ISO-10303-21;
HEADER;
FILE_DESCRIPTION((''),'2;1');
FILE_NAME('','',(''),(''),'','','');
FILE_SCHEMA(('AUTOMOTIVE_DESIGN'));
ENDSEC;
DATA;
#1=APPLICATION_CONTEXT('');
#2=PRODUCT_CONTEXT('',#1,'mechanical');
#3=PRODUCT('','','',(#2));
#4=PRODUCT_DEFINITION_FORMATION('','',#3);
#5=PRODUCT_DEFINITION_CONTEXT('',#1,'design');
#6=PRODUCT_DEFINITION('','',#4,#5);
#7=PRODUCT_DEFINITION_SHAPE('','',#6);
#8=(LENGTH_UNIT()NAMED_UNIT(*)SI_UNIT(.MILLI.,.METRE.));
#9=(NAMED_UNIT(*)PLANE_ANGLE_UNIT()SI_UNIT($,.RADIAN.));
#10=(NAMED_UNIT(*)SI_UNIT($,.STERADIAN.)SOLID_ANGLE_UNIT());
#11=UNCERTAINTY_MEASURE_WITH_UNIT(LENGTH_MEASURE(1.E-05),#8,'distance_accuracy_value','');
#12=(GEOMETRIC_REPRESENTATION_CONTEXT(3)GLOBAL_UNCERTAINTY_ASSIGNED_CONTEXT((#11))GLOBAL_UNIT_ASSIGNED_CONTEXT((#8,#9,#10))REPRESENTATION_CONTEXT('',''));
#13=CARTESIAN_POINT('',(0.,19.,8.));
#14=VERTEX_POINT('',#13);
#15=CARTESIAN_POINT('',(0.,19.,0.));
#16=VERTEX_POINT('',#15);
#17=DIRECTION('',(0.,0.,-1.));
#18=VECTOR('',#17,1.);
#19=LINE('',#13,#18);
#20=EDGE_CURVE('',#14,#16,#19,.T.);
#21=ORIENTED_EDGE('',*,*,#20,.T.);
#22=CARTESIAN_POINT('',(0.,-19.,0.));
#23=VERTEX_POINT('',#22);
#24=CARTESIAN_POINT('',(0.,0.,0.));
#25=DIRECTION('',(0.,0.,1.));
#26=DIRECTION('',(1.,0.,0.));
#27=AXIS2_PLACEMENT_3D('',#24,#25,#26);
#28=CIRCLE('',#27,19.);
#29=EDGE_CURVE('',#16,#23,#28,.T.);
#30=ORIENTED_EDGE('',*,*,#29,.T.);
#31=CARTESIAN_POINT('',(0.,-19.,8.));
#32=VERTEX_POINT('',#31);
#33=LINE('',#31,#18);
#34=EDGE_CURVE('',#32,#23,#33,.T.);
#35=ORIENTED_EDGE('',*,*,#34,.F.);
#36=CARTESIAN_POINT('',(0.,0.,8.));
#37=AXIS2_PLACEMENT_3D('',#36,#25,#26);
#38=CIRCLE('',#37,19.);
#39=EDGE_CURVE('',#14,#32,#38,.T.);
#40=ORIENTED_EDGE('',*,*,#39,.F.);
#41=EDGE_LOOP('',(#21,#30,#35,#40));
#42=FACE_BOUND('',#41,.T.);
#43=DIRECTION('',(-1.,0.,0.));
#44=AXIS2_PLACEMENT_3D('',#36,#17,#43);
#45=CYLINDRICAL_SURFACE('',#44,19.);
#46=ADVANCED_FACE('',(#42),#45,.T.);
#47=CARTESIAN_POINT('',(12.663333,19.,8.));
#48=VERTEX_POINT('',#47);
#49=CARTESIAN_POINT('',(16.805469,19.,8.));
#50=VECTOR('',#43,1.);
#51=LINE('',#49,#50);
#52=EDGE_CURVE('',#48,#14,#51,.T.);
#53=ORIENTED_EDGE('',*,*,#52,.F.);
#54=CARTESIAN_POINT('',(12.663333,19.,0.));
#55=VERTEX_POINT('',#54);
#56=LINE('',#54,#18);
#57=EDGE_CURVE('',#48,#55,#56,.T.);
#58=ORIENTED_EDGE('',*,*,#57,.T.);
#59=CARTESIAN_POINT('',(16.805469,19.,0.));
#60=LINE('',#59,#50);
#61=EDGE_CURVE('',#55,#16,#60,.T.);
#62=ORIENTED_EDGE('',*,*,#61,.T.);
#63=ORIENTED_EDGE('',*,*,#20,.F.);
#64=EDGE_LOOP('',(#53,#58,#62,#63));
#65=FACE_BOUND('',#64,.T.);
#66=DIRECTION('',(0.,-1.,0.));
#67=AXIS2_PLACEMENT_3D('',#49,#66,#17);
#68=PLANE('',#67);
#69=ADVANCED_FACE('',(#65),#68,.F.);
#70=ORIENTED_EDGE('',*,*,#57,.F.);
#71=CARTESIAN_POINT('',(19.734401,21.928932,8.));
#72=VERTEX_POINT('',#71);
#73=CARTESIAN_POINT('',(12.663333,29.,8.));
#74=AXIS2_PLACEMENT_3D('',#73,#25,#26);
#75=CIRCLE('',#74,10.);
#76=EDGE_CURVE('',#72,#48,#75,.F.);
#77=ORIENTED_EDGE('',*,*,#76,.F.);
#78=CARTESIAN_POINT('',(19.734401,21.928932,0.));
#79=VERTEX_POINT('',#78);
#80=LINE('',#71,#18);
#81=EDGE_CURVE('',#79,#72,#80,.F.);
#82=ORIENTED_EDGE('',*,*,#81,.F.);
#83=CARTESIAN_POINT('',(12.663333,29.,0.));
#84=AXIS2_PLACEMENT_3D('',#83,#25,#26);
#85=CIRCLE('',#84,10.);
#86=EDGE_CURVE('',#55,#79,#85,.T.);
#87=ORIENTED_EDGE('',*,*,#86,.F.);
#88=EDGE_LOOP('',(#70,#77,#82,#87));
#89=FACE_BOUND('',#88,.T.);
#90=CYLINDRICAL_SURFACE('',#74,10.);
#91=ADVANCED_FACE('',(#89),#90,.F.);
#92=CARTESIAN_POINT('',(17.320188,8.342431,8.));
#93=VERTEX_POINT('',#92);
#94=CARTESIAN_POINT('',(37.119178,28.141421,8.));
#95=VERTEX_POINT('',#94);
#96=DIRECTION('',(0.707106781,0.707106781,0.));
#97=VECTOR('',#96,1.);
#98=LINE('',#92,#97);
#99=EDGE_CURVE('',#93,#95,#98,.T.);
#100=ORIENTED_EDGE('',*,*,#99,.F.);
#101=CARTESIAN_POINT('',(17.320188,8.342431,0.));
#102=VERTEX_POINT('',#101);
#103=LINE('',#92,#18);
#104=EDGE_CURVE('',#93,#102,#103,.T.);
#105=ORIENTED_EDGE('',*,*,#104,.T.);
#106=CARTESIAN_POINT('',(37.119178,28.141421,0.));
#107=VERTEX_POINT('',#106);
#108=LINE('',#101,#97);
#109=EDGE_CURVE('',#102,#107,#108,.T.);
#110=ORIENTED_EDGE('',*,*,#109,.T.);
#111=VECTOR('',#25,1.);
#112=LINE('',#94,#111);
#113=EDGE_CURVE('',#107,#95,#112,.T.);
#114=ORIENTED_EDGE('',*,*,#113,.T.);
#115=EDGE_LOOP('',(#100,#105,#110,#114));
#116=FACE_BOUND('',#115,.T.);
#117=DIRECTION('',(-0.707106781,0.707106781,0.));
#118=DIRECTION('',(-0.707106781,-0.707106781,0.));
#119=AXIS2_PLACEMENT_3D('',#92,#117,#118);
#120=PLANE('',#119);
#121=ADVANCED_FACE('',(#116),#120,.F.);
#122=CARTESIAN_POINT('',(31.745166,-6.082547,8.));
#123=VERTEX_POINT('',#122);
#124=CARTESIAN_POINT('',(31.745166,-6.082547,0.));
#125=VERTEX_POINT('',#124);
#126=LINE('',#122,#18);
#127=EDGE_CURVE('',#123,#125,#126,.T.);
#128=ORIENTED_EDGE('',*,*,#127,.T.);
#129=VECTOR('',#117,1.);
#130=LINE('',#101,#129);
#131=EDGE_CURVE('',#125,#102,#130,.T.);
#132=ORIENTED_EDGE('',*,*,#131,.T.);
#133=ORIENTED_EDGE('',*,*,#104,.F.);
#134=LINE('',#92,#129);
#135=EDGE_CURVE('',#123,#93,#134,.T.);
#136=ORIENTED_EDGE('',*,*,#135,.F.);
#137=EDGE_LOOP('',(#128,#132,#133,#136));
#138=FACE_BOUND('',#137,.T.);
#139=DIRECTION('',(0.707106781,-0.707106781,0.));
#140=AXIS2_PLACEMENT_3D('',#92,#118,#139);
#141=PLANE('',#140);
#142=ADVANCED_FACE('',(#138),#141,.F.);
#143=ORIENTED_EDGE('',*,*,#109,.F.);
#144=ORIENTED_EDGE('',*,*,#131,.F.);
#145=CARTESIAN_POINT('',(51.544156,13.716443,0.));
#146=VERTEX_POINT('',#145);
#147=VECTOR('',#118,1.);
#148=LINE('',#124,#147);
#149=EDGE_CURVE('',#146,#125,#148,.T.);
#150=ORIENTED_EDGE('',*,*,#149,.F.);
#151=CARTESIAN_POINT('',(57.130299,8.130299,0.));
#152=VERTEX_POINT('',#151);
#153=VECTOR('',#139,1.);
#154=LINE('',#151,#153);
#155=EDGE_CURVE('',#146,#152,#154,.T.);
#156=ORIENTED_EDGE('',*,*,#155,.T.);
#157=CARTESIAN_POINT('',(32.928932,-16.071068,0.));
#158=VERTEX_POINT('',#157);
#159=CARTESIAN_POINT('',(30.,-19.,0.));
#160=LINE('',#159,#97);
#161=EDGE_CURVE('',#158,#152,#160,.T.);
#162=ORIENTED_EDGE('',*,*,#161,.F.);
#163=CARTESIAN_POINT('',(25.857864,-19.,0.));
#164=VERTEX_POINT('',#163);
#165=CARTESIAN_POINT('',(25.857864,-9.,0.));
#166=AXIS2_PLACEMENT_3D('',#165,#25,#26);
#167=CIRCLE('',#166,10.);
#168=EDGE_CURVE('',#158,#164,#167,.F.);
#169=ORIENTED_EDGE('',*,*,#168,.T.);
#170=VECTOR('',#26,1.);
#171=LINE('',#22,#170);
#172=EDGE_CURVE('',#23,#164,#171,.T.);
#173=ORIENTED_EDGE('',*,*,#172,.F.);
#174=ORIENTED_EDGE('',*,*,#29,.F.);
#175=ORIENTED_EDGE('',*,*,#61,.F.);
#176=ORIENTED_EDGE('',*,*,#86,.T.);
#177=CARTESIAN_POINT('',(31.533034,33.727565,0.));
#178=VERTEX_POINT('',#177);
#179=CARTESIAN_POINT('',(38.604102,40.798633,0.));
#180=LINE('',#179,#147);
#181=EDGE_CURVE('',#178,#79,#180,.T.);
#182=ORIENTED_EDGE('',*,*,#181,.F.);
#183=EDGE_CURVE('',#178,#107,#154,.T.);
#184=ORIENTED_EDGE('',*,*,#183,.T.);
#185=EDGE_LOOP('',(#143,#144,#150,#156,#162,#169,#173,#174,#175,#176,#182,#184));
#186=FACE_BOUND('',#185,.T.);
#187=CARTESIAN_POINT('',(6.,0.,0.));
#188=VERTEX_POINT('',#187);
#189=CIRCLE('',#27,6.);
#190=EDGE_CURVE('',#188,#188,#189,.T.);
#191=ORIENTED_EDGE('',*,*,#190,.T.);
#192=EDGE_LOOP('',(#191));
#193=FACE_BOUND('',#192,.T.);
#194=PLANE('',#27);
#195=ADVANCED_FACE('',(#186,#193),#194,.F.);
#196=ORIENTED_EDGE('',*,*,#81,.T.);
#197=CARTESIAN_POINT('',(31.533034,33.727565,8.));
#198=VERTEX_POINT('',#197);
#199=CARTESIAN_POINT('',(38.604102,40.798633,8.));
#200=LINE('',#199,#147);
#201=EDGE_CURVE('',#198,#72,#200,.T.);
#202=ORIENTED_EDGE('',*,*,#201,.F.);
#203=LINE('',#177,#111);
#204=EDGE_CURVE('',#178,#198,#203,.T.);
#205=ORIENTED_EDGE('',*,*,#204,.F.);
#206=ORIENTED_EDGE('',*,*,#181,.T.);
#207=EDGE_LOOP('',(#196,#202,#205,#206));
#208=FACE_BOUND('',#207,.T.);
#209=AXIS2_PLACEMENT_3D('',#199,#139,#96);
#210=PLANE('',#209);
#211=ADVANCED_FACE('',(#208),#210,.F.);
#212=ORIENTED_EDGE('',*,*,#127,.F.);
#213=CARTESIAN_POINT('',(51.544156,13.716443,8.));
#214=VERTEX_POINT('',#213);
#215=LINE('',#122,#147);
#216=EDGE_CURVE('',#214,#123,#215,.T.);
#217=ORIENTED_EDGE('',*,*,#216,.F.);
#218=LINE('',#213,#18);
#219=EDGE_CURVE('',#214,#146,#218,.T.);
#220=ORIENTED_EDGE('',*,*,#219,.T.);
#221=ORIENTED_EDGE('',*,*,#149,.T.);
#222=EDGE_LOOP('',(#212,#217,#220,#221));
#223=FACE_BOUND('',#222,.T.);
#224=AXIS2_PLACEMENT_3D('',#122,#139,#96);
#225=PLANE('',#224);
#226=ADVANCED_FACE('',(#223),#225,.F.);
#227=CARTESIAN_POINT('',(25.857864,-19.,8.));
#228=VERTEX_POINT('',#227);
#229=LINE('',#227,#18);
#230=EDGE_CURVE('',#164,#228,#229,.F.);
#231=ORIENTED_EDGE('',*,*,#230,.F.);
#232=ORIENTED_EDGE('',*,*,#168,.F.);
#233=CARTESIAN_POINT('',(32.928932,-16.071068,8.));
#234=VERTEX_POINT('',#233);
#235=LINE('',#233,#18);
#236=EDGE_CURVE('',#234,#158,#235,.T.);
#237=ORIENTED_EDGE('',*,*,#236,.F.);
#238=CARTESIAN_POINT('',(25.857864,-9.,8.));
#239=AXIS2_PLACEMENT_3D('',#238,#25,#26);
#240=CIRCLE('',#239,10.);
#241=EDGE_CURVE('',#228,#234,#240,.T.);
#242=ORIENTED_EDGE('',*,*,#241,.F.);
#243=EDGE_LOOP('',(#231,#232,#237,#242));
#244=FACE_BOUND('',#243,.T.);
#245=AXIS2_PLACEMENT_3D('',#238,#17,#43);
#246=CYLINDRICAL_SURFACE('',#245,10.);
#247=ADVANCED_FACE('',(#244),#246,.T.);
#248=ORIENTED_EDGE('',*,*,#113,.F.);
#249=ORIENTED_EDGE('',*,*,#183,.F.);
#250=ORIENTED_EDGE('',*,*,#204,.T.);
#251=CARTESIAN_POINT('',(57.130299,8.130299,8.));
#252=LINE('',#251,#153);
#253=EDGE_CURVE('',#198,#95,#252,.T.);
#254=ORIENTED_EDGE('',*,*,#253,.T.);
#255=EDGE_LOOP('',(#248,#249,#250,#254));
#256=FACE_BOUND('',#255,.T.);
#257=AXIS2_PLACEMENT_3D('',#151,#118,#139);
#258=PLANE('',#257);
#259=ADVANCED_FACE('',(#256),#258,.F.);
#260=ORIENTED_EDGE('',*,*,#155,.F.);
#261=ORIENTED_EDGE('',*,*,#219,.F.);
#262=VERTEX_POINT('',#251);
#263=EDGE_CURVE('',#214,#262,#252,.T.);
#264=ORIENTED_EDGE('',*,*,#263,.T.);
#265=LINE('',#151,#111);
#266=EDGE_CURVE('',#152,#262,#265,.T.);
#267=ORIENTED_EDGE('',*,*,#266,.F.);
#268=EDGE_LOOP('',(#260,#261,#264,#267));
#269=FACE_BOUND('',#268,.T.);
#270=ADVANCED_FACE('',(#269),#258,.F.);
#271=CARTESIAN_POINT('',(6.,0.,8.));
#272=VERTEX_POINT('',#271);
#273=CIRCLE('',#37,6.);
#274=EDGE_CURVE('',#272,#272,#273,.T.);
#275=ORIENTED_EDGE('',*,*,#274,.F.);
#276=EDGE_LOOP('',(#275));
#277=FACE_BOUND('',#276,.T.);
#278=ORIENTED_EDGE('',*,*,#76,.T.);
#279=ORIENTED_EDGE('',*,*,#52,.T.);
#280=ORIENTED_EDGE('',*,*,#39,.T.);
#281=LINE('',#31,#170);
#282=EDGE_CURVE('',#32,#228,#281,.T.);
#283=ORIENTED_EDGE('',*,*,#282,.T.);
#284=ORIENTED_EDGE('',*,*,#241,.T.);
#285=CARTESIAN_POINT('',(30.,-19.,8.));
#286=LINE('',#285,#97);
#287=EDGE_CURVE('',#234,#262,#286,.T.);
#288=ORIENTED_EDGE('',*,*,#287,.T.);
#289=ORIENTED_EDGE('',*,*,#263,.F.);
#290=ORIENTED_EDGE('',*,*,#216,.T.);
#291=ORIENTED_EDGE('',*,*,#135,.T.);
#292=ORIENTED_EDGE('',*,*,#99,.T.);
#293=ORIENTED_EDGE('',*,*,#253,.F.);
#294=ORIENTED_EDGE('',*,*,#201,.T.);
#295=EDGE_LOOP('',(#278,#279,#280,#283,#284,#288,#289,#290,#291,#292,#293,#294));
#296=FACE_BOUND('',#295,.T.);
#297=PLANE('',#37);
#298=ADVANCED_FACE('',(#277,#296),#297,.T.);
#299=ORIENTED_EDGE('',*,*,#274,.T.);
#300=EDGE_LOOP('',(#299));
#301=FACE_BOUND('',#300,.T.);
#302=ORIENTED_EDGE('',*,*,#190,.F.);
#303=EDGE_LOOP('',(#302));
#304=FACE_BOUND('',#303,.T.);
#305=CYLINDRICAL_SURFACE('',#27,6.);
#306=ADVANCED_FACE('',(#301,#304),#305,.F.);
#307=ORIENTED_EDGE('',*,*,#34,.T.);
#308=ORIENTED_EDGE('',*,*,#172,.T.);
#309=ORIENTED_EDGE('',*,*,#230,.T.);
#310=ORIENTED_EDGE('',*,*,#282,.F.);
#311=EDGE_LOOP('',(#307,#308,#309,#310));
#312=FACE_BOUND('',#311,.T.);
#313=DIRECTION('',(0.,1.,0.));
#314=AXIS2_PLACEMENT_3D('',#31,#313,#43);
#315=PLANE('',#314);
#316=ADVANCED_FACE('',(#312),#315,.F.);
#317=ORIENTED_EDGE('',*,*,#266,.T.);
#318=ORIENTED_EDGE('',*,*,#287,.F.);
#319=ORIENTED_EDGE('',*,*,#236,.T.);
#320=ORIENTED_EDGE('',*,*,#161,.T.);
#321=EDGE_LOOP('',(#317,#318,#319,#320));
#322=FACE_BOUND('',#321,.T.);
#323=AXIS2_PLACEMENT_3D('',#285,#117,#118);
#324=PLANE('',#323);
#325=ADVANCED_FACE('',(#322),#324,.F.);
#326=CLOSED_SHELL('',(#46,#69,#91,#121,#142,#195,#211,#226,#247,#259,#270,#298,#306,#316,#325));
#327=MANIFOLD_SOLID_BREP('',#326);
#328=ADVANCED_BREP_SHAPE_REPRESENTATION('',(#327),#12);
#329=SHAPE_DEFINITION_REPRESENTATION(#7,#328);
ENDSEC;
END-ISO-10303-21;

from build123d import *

# Parameters (mm, degrees)
SKETCH1_R           = 2.5
BOSS_EXTRUDE1_DEPTH = 8
SKETCH2_R           = 1.5
CUT_EXTRUDE1_DEPTH  = 77.487541414
FILLET1_R           = 10
SKETCH3_R           = 6
CUT_EXTRUDE2_DEPTH  = 77.487541414


with BuildPart() as part:
    # Sketch1 → Boss-Extrude1 (new body)
    with BuildSketch(Plane.XY):
        with BuildLine():
            Line((0, -19), (30, -19))
            Line((30, -19), (64.201367261, 15.201367261))
            Line((64.201367261, 15.201367261), (58.615223689, 20.787510832))
            Line((58.615223689, 20.787510832), (31.745166004, -6.082546853))
            Line((31.745166004, -6.082546853), (17.320187668, 8.342431483))
            Line((17.320187668, 8.342431483), (44.190245353, 35.212489168))
            Line((44.190245353, 35.212489168), (38.604101782, 40.798632739))
            Line((38.604101782, 40.798632739), (16.805469042, 19))
            Line((16.805469042, 19), (0, 19))
            ThreePointArc((0, 19), (-19, 0), (0, -19))
        make_face()
        Circle(SKETCH1_R, mode=Mode.SUBTRACT)
    extrude(amount=BOSS_EXTRUDE1_DEPTH)

    # Sketch2 → Cut-Extrude1 (cut, through all)
    with BuildSketch(Plane.XY.offset(8)):
        with Locations((38.878105659, 35.574881393)):
            Circle(SKETCH2_R)
        with Locations((58.977615915, 15.475371138)):
            Circle(SKETCH2_R)
    extrude(amount=-CUT_EXTRUDE1_DEPTH, mode=Mode.SUBTRACT)

    # Fillet1
    fillet1_edges = [part.edges().sort_by_distance(p)[0] for p in [
        (30, -19, 4),
        (16.805469042, 19, 4),
    ]]
    fillet(fillet1_edges, radius=FILLET1_R)

    # Sketch3 → Cut-Extrude2 (cut, through all)
    with BuildSketch(Plane.XY.offset(8)):
        Circle(SKETCH3_R)
        Polygon((38.604101782, 40.798632739), (64.201367261, 15.201367261), (57.130299449, 8.130299449), (31.53303397, 33.727564928), align=None)
    extrude(amount=-CUT_EXTRUDE2_DEPTH, mode=Mode.SUBTRACT)


solid = part.part
